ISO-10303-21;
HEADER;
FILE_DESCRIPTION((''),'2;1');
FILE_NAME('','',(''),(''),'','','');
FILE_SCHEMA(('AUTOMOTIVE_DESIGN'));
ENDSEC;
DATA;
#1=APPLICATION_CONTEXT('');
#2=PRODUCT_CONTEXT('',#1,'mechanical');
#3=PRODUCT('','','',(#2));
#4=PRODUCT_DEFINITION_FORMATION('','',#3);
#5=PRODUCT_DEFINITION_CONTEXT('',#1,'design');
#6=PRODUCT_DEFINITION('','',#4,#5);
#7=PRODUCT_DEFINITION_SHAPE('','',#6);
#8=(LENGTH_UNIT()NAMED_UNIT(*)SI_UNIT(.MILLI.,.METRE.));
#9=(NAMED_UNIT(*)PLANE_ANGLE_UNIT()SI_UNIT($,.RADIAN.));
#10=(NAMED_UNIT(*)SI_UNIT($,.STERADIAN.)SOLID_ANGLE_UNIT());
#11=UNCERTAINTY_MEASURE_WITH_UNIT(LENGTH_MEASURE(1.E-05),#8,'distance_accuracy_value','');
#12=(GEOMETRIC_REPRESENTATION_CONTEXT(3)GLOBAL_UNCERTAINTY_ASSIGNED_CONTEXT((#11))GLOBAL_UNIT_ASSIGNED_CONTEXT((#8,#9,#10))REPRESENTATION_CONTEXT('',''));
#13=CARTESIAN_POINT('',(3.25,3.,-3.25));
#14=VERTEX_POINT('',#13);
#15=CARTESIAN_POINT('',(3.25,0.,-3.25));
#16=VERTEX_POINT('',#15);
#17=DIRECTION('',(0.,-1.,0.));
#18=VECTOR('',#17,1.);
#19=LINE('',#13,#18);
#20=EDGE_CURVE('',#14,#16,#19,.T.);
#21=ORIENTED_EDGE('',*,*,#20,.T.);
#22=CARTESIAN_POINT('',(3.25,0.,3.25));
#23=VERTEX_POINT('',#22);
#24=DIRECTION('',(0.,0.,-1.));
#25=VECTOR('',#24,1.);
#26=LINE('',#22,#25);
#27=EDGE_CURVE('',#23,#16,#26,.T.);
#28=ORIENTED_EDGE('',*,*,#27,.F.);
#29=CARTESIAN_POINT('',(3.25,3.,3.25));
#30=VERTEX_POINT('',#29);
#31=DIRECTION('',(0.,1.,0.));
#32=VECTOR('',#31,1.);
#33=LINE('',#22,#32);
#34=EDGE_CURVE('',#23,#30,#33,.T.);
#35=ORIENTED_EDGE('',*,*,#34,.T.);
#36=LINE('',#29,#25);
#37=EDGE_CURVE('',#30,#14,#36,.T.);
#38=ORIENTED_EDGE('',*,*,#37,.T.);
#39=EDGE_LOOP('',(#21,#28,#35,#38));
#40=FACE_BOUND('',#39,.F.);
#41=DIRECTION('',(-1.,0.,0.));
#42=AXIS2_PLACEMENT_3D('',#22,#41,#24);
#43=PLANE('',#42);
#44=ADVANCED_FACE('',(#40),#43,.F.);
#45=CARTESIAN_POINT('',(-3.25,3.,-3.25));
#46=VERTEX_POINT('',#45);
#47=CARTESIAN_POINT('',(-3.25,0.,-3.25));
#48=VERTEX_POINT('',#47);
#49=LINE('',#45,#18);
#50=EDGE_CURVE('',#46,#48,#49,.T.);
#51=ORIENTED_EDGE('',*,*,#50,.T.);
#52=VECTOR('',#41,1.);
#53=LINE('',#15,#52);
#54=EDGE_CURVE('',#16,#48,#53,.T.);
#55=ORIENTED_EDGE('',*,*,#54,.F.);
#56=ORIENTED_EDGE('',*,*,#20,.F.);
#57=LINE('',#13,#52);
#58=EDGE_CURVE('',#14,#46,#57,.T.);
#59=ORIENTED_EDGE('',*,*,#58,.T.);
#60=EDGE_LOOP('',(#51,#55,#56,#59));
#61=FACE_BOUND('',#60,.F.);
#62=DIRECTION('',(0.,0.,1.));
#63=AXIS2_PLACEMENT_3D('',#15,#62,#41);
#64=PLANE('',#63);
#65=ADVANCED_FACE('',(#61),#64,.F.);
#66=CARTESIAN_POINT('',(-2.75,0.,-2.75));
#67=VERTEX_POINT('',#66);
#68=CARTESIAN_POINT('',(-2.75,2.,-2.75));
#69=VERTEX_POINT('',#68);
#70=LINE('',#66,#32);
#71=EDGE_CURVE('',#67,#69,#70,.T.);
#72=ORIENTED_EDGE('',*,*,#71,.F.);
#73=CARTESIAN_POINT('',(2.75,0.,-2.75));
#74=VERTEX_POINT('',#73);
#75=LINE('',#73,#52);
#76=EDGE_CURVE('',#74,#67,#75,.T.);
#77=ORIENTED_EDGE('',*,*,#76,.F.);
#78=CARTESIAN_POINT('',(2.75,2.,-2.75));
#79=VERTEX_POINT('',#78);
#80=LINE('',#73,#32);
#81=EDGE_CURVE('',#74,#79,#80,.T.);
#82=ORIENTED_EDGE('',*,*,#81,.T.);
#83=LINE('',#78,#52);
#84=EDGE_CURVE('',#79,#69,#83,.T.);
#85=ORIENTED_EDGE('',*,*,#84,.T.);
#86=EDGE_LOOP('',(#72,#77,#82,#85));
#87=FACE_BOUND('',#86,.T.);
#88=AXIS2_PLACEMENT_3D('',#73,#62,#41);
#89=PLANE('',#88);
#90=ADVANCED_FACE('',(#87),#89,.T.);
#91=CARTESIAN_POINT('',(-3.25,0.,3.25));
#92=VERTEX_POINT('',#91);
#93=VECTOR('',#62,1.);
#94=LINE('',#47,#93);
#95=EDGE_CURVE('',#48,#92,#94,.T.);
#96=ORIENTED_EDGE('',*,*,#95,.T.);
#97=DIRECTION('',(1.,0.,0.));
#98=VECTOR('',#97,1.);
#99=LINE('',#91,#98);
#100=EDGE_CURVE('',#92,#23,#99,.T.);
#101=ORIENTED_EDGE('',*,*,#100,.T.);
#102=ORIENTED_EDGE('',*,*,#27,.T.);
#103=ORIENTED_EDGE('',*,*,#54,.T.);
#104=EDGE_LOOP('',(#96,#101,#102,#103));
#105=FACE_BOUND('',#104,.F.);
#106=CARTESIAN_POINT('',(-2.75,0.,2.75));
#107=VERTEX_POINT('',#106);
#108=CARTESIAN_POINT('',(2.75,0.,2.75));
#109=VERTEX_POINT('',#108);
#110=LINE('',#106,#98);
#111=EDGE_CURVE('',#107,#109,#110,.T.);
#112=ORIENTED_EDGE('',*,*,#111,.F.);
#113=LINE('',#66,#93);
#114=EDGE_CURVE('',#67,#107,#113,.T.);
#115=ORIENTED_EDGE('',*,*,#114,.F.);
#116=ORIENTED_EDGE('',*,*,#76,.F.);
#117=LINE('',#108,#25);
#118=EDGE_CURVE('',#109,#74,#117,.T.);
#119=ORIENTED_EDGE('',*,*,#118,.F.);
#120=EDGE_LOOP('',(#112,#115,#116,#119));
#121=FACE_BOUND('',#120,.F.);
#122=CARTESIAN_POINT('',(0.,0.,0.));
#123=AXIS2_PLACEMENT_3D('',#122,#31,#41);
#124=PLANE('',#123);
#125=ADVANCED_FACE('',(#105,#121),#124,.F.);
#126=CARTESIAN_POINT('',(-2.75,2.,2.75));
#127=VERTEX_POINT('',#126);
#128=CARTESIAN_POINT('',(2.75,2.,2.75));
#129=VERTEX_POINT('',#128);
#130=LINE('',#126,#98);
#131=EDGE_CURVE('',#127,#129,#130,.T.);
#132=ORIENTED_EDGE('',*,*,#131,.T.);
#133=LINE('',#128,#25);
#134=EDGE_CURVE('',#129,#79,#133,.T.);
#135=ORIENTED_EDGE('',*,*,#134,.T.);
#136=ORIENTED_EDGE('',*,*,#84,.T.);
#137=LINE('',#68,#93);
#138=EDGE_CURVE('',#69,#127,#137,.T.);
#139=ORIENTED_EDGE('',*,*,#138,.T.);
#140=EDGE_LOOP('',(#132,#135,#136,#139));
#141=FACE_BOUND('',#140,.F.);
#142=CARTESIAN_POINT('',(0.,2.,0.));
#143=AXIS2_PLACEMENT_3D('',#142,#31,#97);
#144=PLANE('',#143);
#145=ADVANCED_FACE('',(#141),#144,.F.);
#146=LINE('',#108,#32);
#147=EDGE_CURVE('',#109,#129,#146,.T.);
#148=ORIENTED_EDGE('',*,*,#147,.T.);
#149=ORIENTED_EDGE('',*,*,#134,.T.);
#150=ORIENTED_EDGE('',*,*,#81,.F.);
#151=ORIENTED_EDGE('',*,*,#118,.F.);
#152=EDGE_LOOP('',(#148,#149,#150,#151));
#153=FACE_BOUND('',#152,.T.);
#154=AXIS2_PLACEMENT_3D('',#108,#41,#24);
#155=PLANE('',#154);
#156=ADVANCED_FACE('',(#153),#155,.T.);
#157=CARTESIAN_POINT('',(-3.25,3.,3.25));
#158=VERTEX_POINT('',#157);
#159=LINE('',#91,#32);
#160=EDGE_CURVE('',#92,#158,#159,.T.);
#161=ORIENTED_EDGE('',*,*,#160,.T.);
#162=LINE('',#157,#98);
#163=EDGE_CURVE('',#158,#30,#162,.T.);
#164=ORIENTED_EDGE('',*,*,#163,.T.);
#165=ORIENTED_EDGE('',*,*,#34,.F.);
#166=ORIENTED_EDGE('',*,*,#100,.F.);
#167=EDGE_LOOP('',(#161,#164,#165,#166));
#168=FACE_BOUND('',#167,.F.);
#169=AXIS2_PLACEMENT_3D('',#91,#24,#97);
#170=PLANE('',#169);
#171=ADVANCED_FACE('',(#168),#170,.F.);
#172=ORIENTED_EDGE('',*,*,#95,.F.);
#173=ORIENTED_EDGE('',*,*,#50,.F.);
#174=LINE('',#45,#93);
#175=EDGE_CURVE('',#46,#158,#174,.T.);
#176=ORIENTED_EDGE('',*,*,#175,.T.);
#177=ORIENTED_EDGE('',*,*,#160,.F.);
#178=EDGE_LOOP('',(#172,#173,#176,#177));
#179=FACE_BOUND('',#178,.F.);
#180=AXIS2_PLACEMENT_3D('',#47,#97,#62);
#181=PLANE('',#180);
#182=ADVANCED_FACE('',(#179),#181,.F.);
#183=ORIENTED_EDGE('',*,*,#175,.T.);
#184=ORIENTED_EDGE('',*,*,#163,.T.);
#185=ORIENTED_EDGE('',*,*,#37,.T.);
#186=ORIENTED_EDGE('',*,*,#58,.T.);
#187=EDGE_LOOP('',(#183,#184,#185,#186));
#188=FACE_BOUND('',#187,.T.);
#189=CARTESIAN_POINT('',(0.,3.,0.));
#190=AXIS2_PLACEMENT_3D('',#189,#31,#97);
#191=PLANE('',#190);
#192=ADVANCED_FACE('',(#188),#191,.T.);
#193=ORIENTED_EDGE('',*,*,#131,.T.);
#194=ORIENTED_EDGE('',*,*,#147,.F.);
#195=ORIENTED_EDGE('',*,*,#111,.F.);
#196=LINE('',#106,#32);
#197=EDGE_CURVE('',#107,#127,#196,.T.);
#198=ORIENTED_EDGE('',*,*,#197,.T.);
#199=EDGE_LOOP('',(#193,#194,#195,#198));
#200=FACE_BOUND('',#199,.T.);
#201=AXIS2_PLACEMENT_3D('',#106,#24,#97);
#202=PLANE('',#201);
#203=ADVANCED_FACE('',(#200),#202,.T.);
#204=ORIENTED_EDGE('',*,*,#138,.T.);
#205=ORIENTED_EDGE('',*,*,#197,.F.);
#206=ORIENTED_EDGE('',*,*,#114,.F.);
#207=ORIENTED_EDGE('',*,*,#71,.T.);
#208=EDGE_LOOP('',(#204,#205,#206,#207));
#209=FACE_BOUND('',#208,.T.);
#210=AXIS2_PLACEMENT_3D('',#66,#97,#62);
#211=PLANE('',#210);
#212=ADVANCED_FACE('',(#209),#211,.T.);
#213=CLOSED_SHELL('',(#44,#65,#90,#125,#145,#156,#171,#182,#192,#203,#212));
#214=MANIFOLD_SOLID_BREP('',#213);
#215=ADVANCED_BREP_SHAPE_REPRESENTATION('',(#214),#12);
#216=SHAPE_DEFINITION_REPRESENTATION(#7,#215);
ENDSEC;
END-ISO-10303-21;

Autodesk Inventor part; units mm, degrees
ref_plane "YZ Plane" through (0, 0, 0) normal (1, 0, 0) x (0, 1, 0)
ref_plane "XZ Plane" through (0, 0, 0) normal (0, 1, 0) x (-1, 0, 0)
ref_plane "XY Plane" through (0, 0, 0) normal (0, 0, 1) x (1, 0, 0)
sketch "Sketch2" plane through (0, 0, 0) normal (0, 1, 0) x (-1, 0, 0)
  line L0 (-2.75, -2.75) -> (2.75, -2.75)
  line L1 (2.75, -2.75) -> (2.75, 2.75)
  line L2 (2.75, 2.75) -> (-2.75, 2.75)
  line L3 (-2.75, 2.75) -> (-2.75, -2.75)
  line L4 (-2.75, -2.75) -> (2.75, 2.75) construction
  line L5 (2.75, -2.75) -> (-2.75, 2.75) construction
  line L6 (3.25, 3.25) -> (-3.25, 3.25)
  line L7 (-3.25, 3.25) -> (-3.25, -3.25)
  line L8 (-3.25, -3.25) -> (3.25, -3.25)
  line L9 (3.25, -3.25) -> (3.25, 3.25)
  line L10 (3.25, 3.25) -> (-3.25, -3.25) construction
  line L11 (-3.25, 3.25) -> (3.25, -3.25) construction
  point P0 (0, 0)
  dimension "d2" = 5.5
  dimension "d3" = 5.5
  dimension "d6" = 6.5
  dimension "d7" = 6.5
extrude "Extrusion1" add sketch "Sketch2" along normal blind 2
sketch "Sketch4" plane through (0, 2, 0) normal (0, 1, 0) x (1, 0, 0)
  line L0 (-3.25, 3.25) -> (-3.25, -3.25) projected
  line L1 (3.25, -3.25) -> (3.25, 3.25) projected
  line L2 (-3.25, -3.25) -> (3.25, -3.25)
  line L3 (3.25, -3.25) -> (3.25, 3.25)
  line L4 (3.25, 3.25) -> (-3.25, 3.25)
  line L5 (-3.25, 3.25) -> (-3.25, -3.25)
  point P0 (0, 0)
  dimension "d10" = 6.5
extrude "Extrusion2" add sketch "Sketch4" along normal blind 1
properties part number "snapfit_lid_v03"
